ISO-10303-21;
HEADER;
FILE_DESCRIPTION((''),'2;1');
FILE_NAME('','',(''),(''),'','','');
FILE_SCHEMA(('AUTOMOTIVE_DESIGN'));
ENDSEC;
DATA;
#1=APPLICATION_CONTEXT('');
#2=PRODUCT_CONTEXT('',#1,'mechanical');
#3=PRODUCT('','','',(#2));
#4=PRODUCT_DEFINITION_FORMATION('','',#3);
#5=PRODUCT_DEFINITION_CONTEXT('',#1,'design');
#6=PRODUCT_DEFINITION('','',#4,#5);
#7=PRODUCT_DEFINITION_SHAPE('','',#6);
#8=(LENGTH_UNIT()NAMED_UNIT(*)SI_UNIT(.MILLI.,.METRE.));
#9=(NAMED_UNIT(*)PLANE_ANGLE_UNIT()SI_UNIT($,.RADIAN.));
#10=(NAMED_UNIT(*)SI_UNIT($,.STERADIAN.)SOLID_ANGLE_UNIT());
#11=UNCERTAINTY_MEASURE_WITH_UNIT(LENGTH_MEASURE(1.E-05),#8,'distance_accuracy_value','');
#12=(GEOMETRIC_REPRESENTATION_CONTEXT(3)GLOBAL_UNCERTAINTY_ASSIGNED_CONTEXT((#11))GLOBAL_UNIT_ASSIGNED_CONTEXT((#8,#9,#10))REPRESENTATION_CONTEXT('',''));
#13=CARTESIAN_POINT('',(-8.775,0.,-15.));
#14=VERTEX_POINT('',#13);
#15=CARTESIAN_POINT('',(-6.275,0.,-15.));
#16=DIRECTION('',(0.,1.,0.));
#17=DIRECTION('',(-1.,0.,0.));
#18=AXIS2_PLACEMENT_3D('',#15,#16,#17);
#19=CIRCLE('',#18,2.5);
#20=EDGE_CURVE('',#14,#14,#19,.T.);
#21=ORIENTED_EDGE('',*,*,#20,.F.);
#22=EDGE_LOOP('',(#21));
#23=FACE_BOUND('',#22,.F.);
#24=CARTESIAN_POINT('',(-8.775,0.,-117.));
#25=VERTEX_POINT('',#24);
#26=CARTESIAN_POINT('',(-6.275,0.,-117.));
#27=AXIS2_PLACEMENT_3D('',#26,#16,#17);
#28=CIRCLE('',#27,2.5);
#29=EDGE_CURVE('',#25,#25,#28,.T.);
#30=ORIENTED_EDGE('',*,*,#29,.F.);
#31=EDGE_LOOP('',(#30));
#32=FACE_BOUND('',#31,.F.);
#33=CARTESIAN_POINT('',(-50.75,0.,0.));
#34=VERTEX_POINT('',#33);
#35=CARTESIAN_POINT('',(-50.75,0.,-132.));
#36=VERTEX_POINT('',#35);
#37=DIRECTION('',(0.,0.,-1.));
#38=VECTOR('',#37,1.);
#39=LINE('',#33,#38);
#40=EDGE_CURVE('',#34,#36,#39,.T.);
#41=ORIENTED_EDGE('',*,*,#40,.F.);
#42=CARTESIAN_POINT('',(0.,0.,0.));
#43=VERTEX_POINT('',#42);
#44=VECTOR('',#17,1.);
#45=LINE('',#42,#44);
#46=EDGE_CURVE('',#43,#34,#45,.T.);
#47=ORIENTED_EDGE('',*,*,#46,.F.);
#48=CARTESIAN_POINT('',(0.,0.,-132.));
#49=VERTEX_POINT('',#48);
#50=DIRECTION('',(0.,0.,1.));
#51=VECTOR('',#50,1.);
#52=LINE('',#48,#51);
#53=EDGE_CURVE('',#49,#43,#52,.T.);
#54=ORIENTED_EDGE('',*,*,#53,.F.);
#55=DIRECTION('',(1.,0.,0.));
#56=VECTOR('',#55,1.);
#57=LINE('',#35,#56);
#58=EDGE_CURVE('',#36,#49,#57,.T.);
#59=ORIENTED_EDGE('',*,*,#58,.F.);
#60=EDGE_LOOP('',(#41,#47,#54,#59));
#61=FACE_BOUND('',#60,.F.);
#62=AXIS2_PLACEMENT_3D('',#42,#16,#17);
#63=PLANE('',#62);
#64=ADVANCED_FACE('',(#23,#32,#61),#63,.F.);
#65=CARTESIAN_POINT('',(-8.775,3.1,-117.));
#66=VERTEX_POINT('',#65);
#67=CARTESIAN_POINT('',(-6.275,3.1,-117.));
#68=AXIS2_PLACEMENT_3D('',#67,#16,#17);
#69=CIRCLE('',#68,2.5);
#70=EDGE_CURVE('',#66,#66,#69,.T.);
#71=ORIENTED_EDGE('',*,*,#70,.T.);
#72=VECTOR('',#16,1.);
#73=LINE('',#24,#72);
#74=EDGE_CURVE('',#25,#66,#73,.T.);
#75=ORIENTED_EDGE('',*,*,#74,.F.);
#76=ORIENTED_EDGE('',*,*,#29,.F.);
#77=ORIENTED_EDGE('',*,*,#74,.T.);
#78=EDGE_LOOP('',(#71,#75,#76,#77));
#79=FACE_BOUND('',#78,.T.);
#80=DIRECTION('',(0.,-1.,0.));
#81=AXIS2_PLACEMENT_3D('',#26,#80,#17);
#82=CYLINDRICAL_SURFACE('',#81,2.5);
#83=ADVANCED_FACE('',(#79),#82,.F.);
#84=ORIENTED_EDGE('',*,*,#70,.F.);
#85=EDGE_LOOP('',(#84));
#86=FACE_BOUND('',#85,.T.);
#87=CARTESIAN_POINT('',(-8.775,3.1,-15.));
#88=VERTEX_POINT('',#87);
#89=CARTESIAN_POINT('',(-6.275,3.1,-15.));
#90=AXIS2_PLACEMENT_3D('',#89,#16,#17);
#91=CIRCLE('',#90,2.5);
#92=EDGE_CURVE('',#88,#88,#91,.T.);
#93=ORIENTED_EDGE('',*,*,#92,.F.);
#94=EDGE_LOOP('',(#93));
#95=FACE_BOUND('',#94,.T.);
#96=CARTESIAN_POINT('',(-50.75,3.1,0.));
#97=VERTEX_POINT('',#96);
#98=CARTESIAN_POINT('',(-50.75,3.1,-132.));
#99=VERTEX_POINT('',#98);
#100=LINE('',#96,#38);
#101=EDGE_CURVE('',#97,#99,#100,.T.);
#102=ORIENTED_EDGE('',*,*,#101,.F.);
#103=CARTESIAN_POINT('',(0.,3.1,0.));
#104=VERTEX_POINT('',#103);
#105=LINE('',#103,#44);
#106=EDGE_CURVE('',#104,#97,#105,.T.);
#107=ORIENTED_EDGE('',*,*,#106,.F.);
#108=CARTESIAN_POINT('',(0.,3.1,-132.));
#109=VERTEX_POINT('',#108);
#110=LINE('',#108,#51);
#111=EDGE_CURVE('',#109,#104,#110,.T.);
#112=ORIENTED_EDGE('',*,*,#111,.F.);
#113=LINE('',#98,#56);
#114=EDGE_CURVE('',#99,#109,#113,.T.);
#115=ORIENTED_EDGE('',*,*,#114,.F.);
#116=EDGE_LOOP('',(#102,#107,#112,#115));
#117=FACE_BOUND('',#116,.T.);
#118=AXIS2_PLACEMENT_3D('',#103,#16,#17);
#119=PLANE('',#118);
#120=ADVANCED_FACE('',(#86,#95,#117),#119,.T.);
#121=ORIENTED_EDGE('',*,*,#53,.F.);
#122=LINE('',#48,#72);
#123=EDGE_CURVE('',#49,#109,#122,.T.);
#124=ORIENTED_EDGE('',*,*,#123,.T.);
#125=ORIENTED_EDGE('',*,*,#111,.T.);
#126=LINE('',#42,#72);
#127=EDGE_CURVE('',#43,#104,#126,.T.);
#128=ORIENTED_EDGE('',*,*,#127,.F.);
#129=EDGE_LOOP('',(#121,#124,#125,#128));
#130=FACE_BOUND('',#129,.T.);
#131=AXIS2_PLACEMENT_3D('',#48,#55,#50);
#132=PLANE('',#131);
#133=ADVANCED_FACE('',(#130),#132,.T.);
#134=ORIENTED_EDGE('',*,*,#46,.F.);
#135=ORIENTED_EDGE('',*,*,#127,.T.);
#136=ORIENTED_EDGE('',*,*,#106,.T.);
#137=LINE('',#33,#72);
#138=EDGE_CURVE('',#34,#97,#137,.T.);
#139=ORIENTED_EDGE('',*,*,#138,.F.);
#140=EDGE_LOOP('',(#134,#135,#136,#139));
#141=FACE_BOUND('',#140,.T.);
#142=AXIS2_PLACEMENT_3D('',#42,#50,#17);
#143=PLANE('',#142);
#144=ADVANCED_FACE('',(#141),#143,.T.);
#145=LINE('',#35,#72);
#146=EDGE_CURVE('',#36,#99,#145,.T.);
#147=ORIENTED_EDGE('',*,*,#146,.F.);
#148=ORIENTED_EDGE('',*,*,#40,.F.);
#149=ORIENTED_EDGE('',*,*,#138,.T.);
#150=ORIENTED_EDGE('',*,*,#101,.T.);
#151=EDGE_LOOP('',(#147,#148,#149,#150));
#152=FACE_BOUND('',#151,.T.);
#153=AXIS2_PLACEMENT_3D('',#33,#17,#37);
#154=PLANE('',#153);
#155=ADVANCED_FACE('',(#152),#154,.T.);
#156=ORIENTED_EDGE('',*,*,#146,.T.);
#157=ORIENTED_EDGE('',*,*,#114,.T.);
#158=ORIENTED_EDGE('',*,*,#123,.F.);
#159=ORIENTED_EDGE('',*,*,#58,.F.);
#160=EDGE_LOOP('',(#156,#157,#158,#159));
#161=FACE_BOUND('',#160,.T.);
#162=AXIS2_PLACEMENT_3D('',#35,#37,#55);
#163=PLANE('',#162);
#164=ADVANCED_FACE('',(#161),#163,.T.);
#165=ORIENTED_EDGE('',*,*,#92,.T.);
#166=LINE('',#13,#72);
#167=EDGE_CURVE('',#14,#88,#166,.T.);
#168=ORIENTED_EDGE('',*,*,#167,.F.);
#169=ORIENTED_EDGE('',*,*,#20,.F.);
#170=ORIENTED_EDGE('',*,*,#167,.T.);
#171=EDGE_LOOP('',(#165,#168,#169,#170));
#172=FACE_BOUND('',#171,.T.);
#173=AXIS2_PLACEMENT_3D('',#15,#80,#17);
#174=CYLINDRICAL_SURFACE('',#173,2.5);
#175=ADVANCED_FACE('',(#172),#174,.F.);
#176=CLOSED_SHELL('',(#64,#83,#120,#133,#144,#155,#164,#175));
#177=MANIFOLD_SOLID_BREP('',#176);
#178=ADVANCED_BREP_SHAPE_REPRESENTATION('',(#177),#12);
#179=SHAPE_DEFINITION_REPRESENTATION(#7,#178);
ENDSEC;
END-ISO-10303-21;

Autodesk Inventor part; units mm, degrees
ref_plane "YZ Plane" through (0, 0, 0) normal (1, 0, 0) x (0, 1, 0)
ref_plane "XZ Plane" through (0, 0, 0) normal (0, 1, 0) x (-1, 0, 0)
ref_plane "XY Plane" through (0, 0, 0) normal (0, 0, 1) x (1, 0, 0)
sketch "Sketch1" plane through (0, 0, 0) normal (0, 1, 0) x (-1, 0, 0)
  line L0 (0, 0) -> (50.75, 0)
  line L1 (50.75, 0) -> (50.75, -132)
  line L2 (50.75, -132) -> (0, -132)
  line L3 (0, -132) -> (0, 0)
  circle A0 centre (6.275, -15) radius 2.5
  circle A1 centre (6.275, -117) radius 2.5
  dimension "d0" = 50.75
  dimension "d1" = 132
  dimension "d4" = 5
  dimension "d5" = 5
  dimension "d6" = 6.275
  dimension "d7" = 6.275
  dimension "d8" = 15
  dimension "d9" = 15
extrude "Extrusion1" add sketch "Sketch1" along normal blind 3.1
properties part number "LoadCellPlate" material "Steel, Mild"
